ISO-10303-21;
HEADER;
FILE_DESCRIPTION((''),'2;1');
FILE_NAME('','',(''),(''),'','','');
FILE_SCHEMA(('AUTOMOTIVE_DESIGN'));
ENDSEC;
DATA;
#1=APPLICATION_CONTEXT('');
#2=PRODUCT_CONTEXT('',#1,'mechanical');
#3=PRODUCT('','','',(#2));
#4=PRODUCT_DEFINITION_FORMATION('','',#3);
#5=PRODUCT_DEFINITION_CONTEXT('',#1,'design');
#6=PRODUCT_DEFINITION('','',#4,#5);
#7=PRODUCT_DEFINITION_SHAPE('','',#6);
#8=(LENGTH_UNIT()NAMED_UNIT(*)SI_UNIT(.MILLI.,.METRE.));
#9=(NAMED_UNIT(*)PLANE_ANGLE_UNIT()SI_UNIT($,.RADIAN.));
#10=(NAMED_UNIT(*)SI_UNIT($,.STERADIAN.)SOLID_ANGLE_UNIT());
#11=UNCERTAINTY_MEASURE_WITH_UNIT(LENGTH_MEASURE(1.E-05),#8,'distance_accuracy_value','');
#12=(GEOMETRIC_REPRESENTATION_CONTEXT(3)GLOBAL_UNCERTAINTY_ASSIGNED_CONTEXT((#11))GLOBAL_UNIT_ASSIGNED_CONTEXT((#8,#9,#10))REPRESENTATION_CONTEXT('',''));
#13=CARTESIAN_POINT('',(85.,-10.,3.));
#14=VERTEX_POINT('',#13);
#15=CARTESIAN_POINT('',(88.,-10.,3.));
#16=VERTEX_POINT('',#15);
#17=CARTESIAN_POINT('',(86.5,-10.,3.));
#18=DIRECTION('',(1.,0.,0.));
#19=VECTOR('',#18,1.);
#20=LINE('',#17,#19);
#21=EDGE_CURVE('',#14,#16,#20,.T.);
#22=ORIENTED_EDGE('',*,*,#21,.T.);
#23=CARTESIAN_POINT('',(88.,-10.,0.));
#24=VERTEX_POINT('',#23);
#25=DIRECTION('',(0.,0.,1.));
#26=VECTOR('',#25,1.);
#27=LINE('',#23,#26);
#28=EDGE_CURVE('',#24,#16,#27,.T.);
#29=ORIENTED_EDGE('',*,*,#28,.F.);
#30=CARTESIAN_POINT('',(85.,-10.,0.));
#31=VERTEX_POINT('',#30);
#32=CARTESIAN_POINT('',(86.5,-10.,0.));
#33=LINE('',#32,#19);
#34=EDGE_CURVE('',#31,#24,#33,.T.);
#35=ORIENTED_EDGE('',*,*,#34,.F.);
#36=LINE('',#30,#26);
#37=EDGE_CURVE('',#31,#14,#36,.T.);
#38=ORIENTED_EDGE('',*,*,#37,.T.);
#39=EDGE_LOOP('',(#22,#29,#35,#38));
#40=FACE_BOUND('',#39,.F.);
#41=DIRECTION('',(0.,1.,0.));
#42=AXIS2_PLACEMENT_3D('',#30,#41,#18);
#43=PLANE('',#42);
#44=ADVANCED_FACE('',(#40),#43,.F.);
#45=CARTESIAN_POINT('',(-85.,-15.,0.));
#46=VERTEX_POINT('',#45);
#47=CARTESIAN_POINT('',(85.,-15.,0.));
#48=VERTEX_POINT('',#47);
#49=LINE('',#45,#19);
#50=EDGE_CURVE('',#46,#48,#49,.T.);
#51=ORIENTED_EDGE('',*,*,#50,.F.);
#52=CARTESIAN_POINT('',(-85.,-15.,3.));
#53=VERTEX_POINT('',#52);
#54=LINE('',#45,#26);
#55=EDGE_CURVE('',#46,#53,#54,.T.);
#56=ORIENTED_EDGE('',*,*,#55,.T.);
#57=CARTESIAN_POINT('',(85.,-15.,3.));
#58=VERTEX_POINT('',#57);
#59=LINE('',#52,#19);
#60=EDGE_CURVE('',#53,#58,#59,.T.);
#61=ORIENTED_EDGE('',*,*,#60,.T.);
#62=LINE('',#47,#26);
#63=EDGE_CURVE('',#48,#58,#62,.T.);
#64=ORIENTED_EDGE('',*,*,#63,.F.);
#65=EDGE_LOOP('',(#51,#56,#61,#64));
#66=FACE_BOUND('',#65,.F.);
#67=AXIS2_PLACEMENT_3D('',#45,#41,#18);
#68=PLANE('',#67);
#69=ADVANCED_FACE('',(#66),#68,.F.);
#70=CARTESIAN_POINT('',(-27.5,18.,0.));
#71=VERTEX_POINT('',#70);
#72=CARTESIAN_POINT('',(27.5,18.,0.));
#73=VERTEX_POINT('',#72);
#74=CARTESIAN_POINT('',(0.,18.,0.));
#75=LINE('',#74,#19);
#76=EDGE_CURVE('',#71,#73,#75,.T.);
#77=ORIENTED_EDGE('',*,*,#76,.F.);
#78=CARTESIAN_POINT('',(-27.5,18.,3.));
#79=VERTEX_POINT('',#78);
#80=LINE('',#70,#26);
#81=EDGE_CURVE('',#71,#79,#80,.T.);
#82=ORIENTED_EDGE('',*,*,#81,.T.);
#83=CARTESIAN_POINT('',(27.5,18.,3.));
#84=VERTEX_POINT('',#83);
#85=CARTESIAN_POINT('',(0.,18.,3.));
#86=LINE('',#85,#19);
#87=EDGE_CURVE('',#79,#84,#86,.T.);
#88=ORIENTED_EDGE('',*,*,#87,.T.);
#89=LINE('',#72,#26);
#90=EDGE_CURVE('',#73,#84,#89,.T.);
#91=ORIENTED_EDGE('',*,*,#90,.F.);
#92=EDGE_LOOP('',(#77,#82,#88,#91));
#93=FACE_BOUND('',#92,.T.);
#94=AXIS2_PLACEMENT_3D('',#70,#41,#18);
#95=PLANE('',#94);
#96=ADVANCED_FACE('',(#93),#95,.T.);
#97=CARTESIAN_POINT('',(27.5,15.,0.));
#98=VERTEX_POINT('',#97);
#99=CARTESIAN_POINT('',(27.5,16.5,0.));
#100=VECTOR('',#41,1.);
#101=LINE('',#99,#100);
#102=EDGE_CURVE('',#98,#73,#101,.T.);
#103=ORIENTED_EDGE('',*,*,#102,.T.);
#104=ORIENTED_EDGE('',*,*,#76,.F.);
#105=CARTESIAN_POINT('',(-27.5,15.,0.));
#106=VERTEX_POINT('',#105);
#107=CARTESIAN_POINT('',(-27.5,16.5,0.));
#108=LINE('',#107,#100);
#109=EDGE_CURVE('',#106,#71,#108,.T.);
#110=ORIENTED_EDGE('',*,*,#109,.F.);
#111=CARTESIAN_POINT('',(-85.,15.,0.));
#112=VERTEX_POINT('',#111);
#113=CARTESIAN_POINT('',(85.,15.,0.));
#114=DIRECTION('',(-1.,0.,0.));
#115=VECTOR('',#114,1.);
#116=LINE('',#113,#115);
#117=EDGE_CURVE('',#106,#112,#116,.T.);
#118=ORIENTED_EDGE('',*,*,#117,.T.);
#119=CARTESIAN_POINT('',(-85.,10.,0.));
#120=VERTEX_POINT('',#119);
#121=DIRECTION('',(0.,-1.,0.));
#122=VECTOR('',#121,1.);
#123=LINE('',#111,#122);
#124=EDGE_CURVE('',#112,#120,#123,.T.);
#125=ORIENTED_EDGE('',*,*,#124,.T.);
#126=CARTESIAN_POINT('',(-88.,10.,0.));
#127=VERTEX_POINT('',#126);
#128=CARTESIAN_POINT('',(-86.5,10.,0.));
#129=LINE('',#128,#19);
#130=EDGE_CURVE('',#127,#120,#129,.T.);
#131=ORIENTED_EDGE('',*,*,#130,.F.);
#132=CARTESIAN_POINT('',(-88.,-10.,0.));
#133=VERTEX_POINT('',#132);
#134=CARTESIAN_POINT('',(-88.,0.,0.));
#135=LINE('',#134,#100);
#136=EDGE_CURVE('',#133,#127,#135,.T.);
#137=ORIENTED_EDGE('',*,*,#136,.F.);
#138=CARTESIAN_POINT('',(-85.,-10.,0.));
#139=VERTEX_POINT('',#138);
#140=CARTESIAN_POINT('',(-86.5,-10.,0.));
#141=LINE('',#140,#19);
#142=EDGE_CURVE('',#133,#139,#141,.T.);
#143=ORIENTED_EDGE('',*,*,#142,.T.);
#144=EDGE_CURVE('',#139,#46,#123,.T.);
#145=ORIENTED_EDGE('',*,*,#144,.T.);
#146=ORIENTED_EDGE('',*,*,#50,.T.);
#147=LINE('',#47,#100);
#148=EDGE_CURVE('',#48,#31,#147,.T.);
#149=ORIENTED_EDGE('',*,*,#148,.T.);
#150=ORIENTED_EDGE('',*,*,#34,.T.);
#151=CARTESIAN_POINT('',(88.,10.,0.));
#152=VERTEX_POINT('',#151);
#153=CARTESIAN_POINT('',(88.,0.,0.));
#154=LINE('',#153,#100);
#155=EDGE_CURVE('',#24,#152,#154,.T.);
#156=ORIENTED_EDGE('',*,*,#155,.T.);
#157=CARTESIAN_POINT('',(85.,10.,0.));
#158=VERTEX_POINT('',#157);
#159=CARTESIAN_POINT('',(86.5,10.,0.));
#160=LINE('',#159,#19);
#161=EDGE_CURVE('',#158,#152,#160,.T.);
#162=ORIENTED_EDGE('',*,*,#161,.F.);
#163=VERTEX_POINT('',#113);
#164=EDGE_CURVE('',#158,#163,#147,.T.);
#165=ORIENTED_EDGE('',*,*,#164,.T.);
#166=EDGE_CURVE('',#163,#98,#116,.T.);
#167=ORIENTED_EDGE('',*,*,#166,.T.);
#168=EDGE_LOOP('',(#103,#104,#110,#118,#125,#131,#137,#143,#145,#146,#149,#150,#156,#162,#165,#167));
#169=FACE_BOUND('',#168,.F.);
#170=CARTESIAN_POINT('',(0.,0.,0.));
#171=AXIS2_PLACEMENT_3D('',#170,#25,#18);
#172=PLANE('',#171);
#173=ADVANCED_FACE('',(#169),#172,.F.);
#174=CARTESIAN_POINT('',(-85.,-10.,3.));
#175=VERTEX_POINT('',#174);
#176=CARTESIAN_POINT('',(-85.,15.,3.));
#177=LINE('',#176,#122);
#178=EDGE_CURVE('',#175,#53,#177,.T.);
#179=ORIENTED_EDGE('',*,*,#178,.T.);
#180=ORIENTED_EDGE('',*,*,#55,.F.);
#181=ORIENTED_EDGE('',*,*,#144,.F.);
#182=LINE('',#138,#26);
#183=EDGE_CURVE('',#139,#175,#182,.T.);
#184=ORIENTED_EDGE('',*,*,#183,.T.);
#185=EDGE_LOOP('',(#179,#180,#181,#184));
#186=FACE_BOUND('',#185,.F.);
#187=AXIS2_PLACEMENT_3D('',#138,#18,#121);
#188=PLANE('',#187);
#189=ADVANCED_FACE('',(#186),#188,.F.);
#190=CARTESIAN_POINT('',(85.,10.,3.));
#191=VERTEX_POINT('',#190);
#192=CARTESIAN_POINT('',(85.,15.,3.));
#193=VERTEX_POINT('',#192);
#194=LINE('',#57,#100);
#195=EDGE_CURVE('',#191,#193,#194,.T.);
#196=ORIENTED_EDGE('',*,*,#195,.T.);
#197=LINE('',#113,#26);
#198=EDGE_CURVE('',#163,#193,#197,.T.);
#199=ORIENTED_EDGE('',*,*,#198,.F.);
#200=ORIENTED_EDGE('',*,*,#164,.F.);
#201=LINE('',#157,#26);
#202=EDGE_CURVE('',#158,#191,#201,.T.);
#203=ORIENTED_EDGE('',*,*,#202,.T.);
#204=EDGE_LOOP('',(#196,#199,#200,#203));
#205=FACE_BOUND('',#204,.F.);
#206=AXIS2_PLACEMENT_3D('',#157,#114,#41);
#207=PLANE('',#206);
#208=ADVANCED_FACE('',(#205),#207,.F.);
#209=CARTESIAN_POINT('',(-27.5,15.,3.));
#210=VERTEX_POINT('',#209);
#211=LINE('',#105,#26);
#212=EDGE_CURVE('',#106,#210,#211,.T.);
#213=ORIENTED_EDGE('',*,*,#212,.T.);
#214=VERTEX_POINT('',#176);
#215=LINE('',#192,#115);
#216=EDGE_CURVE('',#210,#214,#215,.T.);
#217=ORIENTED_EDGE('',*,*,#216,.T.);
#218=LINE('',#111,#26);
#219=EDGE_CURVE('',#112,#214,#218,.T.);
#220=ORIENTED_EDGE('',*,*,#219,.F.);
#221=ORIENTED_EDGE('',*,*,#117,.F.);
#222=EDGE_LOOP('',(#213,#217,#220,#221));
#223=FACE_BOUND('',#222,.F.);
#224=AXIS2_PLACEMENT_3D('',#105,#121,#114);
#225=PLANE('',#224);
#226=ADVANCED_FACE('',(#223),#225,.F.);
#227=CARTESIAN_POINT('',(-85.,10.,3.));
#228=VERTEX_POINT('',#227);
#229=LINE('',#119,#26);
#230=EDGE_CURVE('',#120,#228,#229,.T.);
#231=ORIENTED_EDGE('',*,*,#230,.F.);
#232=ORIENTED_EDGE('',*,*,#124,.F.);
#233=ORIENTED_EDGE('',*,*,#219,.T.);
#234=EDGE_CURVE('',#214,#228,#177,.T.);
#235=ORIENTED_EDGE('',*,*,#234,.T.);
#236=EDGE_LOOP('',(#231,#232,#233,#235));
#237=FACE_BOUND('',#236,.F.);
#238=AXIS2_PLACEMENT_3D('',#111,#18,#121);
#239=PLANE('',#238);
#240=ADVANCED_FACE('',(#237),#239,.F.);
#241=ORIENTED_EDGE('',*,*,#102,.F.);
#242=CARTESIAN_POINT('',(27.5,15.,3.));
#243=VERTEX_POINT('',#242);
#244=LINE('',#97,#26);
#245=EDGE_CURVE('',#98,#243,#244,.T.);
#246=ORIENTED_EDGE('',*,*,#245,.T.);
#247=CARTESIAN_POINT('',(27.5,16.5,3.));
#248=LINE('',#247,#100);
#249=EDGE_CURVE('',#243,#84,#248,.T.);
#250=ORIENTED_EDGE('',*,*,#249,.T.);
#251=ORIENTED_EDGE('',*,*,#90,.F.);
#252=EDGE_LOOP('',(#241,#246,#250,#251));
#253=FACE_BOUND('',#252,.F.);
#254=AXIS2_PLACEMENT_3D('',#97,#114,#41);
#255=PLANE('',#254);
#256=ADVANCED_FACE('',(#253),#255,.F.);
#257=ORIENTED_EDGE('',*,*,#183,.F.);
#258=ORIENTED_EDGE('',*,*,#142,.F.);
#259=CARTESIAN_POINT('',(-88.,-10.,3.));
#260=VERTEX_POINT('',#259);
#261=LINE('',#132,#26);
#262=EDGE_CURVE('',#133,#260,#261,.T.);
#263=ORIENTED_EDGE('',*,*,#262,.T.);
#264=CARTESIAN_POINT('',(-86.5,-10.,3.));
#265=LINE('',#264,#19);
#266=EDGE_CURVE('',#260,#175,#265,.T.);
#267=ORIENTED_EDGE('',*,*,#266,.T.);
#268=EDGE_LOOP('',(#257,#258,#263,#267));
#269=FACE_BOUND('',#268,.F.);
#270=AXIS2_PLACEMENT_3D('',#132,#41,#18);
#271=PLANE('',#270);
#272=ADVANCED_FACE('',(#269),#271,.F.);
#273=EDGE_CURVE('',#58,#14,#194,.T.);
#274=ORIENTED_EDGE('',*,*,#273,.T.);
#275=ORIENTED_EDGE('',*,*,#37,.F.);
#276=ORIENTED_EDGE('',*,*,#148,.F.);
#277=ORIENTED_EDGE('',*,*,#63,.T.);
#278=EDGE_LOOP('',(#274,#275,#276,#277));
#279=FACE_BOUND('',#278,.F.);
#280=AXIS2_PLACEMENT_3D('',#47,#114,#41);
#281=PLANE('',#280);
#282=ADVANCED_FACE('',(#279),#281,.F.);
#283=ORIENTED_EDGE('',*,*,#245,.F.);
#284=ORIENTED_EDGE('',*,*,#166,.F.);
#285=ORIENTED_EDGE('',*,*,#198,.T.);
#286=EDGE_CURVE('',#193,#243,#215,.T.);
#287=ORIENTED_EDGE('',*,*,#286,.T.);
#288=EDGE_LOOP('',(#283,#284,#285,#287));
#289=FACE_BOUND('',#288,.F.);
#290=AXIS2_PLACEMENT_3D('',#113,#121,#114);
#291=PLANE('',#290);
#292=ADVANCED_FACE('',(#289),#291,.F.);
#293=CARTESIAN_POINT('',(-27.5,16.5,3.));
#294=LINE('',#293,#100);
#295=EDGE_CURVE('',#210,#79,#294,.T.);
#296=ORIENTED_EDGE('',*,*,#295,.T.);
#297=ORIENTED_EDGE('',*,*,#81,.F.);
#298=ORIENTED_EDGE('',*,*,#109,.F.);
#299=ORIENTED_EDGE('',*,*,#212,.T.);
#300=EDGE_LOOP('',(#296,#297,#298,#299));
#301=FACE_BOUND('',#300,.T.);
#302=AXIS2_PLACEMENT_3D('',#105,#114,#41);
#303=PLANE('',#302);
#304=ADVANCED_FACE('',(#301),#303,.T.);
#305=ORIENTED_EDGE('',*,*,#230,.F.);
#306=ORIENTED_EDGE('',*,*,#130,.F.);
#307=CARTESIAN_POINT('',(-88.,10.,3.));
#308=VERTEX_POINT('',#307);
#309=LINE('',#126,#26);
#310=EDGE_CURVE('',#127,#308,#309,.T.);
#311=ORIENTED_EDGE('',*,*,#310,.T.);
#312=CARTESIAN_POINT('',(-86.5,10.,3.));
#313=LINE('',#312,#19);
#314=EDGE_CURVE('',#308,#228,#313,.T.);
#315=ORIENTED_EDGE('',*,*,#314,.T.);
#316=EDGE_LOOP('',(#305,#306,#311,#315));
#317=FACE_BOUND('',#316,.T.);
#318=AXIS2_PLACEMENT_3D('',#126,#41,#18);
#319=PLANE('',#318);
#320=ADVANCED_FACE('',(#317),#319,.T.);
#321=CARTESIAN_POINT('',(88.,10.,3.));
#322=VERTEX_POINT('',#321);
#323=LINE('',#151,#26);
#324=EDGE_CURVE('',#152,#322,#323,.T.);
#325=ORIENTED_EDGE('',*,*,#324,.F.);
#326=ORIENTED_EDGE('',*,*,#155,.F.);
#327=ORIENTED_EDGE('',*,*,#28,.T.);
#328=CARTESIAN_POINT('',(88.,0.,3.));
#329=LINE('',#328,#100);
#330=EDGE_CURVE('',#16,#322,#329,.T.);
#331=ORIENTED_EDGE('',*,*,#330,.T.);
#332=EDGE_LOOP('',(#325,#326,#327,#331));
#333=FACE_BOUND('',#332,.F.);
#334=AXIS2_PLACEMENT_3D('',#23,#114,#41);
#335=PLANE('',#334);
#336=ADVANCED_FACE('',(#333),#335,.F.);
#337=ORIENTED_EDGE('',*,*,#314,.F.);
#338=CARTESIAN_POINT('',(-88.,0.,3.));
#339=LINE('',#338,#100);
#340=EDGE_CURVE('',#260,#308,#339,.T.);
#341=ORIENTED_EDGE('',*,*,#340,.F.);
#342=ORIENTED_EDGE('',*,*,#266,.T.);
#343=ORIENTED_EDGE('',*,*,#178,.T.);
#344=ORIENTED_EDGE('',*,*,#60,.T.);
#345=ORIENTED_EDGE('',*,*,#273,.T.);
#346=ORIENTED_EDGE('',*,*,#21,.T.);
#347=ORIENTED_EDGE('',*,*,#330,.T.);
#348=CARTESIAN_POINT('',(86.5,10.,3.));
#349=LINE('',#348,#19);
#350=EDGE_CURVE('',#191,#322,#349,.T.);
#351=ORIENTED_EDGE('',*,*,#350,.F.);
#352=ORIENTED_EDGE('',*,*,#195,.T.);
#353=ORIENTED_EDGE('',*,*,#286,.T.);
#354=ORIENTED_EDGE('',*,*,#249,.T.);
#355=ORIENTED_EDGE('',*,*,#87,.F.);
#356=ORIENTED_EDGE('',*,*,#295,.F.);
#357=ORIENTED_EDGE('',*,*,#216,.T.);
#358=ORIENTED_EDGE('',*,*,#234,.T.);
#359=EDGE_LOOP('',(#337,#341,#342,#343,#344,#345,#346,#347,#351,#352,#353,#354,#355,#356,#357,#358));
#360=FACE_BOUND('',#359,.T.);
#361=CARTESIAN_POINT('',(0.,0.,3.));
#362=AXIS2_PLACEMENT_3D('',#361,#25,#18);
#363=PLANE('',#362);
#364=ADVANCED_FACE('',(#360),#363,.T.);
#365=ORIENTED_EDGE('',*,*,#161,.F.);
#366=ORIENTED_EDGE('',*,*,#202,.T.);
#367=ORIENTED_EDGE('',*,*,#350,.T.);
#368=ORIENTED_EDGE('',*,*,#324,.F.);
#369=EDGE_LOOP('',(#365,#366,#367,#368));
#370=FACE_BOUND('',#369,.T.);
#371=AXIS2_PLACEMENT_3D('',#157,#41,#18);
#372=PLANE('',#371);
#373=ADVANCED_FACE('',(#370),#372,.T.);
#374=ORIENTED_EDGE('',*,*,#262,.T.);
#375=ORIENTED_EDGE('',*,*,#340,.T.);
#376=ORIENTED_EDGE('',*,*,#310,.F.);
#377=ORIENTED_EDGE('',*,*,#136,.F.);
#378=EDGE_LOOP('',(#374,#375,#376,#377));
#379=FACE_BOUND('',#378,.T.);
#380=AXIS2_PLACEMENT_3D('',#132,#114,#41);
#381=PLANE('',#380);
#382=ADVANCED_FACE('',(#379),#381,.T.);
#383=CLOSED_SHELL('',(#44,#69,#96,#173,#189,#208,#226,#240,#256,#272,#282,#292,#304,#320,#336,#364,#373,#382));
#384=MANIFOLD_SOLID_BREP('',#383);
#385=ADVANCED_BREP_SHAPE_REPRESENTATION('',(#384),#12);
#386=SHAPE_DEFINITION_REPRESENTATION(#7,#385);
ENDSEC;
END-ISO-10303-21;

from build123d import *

# Parameters (mm, degrees)
F0_W     = 55
F0_H     = 3
F0_W_2   = 3
F0_H_2   = 20
F1_DEPTH = 3


with BuildPart() as f1:
    # F0 (on Top) → F1 (new body)
    with BuildSketch(Plane.XY):
        Polygon((85, 10), (85, 15), (27.5, 15), (-27.5, 15), (-85, 15), (-85, 10), (-85, -10), (-85, -15), (85, -15), (85, -10), align=None)
        with Locations((0, 16.5)):
            Rectangle(F0_W, F0_H)
        with Locations((86.5, 0)):
            Rectangle(F0_W_2, F0_H_2)
        with Locations((-86.5, 0)):
            Rectangle(F0_W_2, F0_H_2)
    extrude(amount=F1_DEPTH)


solid = f1.part
